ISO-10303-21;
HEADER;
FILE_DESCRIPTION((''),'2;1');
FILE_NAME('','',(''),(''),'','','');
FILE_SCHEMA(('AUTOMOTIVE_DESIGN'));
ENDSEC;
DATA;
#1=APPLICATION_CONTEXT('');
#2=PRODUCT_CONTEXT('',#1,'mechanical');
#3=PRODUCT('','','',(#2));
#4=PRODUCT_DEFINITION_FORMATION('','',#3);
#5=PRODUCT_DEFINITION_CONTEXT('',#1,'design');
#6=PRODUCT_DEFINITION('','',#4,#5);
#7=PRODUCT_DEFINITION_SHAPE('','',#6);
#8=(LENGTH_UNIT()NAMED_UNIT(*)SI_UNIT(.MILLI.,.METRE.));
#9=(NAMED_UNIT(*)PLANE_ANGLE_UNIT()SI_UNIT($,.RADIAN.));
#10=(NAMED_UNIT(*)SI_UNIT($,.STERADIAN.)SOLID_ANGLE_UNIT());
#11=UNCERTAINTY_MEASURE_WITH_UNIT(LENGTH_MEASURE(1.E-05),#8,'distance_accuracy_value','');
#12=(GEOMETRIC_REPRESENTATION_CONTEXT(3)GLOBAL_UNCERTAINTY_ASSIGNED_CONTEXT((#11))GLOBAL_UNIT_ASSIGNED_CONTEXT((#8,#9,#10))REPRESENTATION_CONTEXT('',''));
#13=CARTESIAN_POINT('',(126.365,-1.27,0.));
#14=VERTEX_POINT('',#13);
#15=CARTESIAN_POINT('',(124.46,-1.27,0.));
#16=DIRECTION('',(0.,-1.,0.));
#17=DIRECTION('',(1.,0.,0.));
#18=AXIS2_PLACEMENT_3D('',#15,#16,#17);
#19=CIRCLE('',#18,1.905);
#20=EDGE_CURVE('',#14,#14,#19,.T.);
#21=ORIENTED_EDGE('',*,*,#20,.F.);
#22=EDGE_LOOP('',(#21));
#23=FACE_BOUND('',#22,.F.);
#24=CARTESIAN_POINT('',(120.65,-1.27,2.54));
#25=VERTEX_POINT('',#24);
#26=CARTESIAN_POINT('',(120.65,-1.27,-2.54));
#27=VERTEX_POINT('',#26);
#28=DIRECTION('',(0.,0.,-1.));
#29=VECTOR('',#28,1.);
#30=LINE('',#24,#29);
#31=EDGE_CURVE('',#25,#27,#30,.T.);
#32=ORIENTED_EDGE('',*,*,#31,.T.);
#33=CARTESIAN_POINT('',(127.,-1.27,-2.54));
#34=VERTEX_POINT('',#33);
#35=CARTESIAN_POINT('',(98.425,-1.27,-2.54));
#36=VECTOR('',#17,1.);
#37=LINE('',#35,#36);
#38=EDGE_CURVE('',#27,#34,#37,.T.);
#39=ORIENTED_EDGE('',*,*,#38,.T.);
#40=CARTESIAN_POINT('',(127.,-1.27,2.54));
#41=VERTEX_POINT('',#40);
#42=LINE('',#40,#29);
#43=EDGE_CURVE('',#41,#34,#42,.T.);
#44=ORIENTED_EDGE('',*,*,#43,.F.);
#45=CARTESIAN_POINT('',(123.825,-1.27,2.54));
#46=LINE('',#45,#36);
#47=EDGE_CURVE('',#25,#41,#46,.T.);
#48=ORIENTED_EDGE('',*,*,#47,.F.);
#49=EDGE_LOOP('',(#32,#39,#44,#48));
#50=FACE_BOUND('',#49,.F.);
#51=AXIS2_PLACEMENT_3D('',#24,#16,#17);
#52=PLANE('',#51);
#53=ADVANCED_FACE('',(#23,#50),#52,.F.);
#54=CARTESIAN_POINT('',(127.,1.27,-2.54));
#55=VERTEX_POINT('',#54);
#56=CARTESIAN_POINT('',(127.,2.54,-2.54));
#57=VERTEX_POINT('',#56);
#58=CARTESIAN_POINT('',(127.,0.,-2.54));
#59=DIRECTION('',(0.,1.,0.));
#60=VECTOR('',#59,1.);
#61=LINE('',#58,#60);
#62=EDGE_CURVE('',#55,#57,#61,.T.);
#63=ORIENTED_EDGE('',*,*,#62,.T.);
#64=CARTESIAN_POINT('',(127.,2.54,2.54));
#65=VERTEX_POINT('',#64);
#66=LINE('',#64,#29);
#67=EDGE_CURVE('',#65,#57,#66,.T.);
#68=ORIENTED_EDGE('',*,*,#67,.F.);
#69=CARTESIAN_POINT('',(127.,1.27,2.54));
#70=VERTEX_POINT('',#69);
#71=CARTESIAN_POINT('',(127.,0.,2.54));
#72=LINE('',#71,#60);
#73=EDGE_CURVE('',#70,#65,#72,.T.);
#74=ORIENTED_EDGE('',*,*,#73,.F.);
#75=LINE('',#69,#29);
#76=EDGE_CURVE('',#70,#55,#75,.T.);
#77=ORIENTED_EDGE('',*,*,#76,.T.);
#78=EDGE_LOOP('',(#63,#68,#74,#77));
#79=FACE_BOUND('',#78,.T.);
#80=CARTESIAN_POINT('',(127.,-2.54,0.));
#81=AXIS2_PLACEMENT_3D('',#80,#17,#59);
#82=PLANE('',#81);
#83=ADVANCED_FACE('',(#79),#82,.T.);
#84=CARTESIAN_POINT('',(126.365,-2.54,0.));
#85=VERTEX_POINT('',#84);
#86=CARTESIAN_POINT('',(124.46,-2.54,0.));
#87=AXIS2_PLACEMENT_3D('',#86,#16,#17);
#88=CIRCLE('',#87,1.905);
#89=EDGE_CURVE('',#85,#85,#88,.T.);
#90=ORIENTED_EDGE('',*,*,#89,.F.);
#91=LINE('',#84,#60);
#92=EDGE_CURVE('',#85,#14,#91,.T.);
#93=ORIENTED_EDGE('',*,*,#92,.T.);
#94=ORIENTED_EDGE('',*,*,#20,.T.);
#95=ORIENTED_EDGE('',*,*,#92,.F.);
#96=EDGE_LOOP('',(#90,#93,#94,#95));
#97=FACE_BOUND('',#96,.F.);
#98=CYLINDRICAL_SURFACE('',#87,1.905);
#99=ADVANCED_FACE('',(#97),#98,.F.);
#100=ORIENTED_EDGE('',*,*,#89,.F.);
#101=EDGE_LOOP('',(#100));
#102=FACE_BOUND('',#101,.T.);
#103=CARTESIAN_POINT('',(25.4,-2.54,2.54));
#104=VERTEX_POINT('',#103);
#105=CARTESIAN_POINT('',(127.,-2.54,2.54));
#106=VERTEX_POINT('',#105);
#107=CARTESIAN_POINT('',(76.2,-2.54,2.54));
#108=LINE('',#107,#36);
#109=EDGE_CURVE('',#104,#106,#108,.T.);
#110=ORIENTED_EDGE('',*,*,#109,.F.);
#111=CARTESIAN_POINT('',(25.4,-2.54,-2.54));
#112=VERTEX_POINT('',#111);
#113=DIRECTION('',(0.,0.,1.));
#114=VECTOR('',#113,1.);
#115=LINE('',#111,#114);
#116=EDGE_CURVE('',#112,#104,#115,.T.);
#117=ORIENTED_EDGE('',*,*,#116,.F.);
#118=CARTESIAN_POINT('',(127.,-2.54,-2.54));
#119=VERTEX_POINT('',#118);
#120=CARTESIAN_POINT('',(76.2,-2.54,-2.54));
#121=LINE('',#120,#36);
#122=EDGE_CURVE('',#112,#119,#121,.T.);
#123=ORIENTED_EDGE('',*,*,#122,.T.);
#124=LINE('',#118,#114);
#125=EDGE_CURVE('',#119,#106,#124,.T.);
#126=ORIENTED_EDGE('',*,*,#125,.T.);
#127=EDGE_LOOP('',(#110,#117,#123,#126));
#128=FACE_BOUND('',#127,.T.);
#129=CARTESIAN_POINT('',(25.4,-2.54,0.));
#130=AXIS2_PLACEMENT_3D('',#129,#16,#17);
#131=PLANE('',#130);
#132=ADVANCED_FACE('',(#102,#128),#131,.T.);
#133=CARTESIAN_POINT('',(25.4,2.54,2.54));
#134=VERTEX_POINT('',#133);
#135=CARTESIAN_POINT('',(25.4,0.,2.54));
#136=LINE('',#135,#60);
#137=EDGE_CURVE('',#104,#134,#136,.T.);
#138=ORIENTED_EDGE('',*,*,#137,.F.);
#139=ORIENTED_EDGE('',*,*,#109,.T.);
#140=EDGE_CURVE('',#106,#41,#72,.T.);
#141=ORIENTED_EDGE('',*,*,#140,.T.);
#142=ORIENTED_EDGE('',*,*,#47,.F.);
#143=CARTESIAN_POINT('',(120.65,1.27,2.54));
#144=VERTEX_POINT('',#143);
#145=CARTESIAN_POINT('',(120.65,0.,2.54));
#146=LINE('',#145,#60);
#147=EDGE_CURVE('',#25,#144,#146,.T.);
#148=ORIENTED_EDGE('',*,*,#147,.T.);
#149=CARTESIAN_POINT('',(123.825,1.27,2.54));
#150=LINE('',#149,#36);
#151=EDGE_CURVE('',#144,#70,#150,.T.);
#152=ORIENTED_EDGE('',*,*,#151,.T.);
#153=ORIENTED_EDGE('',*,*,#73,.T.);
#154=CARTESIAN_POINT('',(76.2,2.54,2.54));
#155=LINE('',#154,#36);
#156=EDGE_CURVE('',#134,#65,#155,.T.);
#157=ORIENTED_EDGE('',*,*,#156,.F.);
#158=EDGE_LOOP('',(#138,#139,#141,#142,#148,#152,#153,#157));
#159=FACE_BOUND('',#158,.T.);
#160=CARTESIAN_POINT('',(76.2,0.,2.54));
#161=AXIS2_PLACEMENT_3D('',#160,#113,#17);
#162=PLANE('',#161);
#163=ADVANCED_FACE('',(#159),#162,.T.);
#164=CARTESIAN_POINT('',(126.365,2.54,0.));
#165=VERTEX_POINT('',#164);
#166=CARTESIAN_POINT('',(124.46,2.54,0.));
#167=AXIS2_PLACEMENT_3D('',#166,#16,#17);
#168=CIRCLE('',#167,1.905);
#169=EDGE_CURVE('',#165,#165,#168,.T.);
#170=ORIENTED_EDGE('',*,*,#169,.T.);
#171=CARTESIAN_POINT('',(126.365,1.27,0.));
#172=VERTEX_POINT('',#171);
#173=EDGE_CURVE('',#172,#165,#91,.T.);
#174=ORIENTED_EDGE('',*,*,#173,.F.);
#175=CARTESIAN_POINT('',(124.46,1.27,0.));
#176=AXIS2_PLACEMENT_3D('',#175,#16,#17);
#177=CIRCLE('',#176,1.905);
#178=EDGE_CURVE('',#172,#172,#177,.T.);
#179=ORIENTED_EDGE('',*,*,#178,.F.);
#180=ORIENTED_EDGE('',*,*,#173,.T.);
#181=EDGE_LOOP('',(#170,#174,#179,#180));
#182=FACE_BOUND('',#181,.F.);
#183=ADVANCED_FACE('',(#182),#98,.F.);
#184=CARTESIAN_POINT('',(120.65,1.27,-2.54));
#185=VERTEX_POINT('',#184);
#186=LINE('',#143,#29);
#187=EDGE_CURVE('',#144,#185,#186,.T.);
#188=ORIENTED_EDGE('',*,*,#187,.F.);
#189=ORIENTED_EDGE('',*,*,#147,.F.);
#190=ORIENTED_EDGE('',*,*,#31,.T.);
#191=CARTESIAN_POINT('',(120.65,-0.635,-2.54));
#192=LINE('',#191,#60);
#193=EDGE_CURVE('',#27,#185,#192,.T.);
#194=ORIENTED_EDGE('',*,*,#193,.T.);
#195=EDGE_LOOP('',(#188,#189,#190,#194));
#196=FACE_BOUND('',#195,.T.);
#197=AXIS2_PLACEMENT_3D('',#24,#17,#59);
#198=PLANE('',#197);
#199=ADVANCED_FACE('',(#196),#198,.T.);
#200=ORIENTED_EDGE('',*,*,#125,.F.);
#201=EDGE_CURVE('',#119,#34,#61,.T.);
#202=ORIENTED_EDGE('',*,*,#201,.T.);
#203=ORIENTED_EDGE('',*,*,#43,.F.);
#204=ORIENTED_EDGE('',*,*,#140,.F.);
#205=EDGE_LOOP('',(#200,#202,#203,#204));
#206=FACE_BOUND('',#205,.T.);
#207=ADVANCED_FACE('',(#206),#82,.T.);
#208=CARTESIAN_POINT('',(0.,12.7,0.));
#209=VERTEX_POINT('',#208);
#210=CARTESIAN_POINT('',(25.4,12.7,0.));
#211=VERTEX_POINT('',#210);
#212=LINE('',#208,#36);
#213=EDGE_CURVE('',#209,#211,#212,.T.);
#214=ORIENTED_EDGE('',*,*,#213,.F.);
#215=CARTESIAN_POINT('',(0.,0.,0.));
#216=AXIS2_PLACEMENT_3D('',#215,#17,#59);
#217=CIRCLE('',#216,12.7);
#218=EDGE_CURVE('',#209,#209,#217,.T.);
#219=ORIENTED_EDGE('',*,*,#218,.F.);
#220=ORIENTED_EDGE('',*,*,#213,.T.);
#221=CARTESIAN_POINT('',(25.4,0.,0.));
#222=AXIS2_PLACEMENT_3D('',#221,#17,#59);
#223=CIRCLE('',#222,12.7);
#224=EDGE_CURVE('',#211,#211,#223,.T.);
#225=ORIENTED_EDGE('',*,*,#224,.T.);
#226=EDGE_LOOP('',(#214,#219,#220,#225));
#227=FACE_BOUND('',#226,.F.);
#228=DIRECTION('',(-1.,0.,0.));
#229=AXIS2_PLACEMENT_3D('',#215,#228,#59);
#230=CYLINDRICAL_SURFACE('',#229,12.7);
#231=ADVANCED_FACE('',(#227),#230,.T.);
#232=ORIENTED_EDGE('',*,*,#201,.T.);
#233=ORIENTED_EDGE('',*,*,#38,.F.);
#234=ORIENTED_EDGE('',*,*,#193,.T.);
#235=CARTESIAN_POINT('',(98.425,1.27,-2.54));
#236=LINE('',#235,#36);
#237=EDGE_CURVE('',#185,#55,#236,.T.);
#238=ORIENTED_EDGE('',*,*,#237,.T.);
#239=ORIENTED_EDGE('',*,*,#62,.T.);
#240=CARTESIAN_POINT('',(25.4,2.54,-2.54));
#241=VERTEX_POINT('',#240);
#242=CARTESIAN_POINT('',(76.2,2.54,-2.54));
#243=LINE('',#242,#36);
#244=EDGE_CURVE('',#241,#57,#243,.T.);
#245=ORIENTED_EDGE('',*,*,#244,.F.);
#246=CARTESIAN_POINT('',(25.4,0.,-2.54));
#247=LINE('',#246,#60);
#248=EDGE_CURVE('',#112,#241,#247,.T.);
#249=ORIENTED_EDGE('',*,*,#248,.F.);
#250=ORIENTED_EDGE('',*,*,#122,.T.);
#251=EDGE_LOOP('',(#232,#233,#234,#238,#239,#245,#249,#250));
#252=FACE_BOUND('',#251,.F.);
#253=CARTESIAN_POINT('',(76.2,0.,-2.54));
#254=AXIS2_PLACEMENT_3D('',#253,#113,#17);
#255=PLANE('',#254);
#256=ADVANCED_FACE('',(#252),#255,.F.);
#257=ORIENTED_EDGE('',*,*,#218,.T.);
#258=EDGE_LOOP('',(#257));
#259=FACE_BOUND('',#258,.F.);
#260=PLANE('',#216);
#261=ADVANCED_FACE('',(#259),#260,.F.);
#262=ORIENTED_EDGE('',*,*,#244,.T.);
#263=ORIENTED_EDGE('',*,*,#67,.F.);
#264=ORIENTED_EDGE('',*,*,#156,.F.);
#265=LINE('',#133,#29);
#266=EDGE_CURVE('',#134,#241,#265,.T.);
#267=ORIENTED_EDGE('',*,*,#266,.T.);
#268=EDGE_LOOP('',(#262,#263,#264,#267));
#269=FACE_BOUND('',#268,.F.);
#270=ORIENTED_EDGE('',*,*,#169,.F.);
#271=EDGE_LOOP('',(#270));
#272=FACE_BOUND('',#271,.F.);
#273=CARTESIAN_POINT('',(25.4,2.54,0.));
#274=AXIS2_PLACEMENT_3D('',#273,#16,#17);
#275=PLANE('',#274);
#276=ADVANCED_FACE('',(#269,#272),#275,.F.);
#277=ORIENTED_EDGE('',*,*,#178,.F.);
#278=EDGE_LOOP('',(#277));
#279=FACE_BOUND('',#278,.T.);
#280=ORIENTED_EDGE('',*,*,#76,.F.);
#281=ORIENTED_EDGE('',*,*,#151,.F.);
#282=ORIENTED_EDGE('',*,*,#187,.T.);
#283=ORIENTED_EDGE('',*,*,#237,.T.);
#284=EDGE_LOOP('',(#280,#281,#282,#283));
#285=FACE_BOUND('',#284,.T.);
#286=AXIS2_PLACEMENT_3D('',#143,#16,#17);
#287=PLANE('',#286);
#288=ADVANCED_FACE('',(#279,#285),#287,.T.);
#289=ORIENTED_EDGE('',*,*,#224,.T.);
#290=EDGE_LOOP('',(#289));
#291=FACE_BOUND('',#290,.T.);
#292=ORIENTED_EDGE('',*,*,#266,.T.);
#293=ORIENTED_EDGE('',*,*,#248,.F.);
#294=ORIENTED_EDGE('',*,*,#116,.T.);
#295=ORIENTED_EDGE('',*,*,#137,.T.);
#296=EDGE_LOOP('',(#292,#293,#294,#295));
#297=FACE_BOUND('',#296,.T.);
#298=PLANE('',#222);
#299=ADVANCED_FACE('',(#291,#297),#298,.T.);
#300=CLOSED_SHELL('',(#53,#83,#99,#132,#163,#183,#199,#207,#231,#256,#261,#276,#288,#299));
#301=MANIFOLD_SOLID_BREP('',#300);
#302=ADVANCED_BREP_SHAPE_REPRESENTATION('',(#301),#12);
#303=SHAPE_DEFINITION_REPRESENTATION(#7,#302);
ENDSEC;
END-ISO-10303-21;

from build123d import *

# Parameters (mm, degrees)
F0_R     = 12.7
F1_DEPTH = 25.4
F2_W     = 101.6
F2_H     = 5.08
F3_DEPTH = 2.54
F4_R     = 1.905
F5_DEPTH = 15.241
F6_W     = 6.35
F6_H     = 2.54
F7_DEPTH = 15.241


with BuildPart() as f1:
    # F0 (on Right) → F1 (new body)
    with BuildSketch(Plane.YZ):
        Circle(F0_R)
    extrude(amount=F1_DEPTH)

    # F2 (on Top) → F3 (join, symmetric)
    with BuildSketch(Plane.XY):
        with Locations((76.2, 0)):
            Rectangle(F2_W, F2_H)
    extrude(amount=F3_DEPTH, both=True)

    # F4 (on face) → F5 (cut, through all)
    with BuildSketch(Plane.XZ.offset(2.54)):
        with Locations((124.46, 0)):
            Circle(F4_R)
    extrude(amount=-F5_DEPTH, mode=Mode.SUBTRACT)

    # F6 (on face) → F7 (cut, through all)
    with BuildSketch(Plane.XY.offset(2.54)):
        with Locations((123.825, 0)):
            Rectangle(F6_W, F6_H)
    extrude(amount=-F7_DEPTH, mode=Mode.SUBTRACT)


solid = f1.part
